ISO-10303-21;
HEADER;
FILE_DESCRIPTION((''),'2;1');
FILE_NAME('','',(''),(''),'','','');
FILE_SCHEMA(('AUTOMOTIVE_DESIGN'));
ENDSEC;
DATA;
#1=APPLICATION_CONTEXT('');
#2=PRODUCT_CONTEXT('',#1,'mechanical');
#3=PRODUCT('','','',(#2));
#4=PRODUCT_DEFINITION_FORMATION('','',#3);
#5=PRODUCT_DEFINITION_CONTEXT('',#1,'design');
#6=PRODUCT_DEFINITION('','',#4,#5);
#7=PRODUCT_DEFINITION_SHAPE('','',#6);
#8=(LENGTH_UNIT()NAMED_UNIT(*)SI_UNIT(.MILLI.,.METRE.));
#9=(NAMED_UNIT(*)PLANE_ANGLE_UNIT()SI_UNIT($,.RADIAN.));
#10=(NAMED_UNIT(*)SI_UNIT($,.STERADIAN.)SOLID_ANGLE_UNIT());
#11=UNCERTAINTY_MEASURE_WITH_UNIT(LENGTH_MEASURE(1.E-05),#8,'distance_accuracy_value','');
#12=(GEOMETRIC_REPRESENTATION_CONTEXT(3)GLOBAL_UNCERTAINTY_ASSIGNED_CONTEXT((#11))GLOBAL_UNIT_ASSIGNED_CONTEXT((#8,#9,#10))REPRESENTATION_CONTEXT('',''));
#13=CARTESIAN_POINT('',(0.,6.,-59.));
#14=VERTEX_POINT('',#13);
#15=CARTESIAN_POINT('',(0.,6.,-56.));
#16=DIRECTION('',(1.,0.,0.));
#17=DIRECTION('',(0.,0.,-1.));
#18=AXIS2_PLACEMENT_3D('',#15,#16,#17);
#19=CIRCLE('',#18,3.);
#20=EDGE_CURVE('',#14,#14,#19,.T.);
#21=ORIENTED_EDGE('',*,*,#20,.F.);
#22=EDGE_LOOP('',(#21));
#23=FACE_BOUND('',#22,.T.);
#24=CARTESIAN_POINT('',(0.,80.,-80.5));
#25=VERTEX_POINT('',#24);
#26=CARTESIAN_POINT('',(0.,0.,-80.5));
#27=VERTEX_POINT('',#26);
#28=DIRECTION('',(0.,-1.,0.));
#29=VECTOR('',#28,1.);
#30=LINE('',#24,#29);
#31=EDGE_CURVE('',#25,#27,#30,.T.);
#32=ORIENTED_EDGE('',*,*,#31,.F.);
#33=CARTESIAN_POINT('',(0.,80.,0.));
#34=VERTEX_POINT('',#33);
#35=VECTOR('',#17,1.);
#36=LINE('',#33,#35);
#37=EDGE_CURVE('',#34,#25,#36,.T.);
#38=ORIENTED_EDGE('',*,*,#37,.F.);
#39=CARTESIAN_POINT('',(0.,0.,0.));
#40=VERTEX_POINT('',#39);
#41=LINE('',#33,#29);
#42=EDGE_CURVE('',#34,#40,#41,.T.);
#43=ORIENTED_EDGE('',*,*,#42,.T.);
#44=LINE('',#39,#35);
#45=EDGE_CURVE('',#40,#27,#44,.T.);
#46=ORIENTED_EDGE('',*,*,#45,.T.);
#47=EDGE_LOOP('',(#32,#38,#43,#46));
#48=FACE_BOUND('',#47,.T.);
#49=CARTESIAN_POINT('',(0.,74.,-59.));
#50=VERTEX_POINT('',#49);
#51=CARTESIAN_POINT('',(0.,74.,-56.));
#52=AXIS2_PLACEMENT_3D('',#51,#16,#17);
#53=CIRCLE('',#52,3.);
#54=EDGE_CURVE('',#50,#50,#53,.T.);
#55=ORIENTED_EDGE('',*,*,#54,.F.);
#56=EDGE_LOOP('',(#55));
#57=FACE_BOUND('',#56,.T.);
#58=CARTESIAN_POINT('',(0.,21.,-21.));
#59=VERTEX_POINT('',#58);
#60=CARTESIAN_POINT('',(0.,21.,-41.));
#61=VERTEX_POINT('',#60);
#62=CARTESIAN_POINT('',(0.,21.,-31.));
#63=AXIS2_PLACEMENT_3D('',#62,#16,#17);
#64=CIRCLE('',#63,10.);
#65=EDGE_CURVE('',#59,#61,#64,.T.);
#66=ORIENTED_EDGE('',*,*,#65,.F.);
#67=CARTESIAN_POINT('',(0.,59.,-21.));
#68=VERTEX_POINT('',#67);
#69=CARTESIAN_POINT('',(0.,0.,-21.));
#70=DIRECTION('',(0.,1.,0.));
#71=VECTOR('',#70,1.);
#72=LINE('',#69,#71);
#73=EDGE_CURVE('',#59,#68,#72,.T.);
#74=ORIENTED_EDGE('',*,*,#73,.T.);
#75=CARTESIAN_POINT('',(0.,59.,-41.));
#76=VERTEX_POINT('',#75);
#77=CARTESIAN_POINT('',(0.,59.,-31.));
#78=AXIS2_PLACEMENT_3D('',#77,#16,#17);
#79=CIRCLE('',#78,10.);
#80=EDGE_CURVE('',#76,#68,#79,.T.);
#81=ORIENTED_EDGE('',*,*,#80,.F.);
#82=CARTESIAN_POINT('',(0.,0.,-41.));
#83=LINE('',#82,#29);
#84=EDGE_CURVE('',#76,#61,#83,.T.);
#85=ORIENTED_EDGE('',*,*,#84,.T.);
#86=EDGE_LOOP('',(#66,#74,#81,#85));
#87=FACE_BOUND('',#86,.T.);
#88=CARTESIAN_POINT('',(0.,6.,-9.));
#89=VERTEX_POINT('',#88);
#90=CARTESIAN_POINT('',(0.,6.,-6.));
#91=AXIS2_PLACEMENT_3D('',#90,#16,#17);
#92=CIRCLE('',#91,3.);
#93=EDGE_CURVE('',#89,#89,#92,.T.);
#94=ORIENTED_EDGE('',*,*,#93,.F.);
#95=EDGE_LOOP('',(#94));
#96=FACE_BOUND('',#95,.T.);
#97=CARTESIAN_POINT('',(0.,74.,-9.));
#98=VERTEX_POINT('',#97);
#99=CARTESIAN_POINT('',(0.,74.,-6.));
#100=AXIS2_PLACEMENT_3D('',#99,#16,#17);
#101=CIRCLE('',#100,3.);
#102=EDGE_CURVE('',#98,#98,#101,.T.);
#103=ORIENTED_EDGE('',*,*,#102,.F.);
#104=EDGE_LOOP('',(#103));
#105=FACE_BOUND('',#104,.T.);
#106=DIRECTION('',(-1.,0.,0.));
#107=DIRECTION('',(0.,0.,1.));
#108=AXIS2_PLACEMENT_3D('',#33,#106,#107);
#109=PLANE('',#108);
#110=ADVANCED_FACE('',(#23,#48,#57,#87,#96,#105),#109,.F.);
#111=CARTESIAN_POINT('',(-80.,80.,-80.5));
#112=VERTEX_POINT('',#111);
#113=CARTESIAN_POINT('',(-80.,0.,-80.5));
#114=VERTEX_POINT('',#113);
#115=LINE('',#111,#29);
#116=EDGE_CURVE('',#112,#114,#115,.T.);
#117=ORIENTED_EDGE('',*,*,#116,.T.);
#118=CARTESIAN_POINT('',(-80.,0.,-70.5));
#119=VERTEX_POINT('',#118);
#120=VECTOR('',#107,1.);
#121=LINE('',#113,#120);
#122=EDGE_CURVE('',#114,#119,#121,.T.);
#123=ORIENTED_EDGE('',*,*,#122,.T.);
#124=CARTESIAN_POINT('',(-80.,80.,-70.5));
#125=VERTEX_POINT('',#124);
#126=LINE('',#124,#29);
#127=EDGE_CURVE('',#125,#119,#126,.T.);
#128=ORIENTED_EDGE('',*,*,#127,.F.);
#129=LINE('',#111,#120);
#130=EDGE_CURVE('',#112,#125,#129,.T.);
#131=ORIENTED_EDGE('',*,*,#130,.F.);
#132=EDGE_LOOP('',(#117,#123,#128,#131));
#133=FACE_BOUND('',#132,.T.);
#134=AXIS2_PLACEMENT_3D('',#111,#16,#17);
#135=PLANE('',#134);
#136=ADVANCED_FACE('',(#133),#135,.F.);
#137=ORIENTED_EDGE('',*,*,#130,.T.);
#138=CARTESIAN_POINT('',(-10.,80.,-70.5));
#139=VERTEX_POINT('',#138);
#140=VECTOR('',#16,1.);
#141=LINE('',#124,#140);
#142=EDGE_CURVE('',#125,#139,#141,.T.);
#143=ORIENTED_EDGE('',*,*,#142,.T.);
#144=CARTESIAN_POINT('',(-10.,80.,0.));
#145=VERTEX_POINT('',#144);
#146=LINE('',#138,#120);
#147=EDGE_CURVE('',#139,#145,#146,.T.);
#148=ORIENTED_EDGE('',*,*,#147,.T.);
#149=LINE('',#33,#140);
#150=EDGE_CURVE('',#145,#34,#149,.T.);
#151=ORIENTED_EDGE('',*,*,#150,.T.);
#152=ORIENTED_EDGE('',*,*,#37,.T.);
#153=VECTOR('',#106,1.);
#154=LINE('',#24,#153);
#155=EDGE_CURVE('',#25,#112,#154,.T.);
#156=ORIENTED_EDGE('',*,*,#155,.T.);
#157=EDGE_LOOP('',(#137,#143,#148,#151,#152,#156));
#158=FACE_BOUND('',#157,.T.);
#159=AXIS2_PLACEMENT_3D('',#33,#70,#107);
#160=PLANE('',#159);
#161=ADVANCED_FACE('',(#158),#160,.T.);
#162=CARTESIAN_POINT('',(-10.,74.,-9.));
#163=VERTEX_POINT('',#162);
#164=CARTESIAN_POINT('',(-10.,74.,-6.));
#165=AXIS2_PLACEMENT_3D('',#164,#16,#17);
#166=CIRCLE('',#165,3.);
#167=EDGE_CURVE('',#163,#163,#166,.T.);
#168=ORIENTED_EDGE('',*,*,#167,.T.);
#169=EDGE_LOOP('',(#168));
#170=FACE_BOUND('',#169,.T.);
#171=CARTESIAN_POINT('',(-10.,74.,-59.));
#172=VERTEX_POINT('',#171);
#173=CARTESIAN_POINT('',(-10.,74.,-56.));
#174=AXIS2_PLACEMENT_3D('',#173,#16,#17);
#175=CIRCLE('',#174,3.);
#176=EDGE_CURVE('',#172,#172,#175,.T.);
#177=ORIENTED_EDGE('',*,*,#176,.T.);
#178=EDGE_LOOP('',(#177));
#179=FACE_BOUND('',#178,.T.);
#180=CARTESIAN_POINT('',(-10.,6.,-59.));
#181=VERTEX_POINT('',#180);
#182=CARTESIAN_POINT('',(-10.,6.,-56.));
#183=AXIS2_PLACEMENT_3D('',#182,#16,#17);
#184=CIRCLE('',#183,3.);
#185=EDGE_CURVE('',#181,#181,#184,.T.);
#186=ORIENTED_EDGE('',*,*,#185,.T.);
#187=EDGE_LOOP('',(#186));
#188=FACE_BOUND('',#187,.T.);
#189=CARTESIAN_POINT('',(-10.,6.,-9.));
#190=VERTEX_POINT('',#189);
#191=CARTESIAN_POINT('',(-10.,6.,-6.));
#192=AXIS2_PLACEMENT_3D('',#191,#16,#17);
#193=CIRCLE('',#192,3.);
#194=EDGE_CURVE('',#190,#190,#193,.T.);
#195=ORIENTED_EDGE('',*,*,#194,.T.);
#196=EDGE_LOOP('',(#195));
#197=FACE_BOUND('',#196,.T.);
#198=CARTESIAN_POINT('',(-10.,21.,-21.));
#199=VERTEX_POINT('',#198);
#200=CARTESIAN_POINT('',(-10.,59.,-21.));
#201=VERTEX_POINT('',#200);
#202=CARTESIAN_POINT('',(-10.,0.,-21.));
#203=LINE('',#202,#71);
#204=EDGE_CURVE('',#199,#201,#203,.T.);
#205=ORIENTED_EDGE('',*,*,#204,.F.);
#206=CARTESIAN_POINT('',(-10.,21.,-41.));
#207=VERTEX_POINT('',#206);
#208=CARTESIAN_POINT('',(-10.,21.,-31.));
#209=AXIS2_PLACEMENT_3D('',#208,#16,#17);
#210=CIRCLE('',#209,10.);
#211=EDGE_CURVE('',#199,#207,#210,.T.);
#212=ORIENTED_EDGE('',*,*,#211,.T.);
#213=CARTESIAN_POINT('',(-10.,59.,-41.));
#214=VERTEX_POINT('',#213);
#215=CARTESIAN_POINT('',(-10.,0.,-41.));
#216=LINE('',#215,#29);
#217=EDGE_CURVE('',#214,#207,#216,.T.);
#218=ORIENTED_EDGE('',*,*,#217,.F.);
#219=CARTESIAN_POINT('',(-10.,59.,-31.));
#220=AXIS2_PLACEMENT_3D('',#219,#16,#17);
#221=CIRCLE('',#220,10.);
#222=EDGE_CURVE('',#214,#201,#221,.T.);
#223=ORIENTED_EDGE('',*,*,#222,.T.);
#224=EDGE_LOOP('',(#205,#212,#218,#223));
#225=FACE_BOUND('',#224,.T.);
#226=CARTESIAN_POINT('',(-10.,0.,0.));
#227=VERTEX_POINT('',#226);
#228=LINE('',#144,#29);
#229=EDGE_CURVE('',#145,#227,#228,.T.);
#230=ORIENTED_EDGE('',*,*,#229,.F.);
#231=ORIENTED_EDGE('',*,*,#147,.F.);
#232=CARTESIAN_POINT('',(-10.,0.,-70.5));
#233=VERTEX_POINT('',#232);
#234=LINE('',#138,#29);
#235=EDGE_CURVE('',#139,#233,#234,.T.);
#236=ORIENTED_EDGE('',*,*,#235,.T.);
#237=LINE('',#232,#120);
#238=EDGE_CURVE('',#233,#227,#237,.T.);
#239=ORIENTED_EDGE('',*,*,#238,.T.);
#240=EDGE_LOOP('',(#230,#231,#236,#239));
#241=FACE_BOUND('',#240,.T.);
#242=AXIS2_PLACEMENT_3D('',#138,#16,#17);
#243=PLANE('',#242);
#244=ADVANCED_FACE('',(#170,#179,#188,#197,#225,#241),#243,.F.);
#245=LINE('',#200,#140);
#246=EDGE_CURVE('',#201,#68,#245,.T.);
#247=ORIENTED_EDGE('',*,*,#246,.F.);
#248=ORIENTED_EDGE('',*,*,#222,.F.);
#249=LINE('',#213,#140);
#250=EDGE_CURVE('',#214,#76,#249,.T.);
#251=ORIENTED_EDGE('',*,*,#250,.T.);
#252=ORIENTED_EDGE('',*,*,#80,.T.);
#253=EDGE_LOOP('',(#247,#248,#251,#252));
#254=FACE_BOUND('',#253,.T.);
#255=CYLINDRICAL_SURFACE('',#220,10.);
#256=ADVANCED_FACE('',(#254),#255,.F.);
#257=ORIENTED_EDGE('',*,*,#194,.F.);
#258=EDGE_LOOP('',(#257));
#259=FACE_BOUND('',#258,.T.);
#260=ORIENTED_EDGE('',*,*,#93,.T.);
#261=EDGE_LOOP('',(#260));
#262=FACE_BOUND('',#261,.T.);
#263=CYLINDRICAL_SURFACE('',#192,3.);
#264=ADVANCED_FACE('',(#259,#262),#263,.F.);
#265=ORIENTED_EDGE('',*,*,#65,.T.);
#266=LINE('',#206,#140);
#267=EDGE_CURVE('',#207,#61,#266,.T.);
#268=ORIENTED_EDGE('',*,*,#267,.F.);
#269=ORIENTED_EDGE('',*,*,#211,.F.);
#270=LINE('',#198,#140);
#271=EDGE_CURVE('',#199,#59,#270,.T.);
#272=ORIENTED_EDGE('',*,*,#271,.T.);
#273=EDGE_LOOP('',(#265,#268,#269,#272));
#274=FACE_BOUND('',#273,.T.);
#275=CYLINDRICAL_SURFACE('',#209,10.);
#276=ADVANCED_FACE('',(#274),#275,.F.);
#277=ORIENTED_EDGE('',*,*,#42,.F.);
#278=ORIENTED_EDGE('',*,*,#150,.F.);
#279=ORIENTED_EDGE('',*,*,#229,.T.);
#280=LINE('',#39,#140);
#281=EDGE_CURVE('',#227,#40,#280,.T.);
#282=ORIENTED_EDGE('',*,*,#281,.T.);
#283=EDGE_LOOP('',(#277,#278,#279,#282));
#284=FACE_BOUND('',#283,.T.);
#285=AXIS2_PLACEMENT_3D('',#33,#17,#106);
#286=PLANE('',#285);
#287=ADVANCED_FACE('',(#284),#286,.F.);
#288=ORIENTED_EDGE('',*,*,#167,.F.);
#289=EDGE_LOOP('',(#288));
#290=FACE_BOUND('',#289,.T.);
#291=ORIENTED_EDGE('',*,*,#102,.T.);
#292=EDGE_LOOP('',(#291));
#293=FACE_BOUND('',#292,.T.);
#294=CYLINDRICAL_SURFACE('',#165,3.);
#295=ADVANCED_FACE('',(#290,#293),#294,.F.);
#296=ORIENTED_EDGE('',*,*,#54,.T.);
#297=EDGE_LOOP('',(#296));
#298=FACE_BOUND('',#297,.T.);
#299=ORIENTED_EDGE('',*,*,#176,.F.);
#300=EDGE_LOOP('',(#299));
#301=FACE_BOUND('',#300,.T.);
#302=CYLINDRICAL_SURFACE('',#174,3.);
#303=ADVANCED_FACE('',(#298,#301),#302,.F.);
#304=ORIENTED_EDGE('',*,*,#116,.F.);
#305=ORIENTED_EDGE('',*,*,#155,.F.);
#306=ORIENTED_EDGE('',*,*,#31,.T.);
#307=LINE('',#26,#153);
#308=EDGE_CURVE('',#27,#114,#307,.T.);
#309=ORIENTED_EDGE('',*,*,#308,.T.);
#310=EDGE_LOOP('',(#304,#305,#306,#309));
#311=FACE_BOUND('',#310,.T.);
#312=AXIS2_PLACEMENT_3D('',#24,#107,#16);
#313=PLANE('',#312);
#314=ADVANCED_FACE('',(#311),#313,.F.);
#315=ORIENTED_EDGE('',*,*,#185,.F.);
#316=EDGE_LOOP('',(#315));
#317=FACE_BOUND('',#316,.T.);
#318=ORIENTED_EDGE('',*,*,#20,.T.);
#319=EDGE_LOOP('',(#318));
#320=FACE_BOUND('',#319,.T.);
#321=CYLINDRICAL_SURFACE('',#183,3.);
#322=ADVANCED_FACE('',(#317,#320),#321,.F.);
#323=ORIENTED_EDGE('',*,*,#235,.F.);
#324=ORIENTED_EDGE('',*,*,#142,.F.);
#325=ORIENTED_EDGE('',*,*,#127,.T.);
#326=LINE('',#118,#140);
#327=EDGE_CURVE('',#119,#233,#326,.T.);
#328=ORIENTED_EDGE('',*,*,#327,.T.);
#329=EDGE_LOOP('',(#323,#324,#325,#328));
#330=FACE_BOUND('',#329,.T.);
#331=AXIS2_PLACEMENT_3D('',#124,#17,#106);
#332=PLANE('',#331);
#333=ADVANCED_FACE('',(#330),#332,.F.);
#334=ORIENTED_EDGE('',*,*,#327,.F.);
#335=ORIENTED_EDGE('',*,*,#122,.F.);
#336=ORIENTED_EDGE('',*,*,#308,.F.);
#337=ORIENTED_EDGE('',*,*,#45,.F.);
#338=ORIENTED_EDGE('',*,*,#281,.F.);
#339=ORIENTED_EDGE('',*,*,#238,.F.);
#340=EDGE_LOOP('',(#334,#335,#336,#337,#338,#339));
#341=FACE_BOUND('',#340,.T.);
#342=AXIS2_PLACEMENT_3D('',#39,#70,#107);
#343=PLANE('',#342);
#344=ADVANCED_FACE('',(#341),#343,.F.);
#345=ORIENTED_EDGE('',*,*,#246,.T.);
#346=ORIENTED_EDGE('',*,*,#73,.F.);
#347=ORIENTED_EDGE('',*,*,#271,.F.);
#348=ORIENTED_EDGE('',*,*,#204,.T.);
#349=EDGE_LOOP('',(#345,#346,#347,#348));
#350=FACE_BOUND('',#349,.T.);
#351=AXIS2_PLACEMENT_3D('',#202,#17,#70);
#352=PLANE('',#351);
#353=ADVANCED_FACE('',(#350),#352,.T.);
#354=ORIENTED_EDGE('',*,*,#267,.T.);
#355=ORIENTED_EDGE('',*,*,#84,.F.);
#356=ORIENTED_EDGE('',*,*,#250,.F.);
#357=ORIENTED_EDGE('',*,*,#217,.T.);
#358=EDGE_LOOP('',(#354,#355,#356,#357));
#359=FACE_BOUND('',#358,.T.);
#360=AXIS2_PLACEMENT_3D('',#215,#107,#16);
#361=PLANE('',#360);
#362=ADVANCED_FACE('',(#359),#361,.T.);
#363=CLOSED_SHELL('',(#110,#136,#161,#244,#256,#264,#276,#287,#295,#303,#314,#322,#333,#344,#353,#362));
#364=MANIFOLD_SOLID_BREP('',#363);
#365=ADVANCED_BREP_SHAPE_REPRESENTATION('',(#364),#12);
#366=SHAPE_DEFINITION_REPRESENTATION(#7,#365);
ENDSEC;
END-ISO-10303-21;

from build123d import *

# Parameters (mm, degrees)
BOSS_EXTRUDE1_DEPTH = 80
SKETCH2_R           = 3
CUT_EXTRUDE1_DEPTH  = 10
CUT_EXTRUDE2_DEPTH  = 10


with BuildPart() as part:
    # Sketch1 → Boss-Extrude1 (new body)
    with BuildSketch(Plane(origin=(0, 0, 0), x_dir=(1, 0, 0), z_dir=(0, 1, 0))):
        Polygon((0, 0), (0, 80.5), (-80, 80.5), (-80, 70.5), (-10, 70.5), (-10, 0), align=None)
    extrude(amount=BOSS_EXTRUDE1_DEPTH)

    # Sketch2 → Cut-Extrude1 (cut)
    with BuildSketch(Plane(origin=(0, 0, 0), x_dir=(0, 0, -1), z_dir=(1, 0, 0))):
        with Locations((6, 6)):
            Circle(SKETCH2_R)
        with Locations((6, 74)):
            Circle(SKETCH2_R)
        with Locations((56, 74)):
            Circle(SKETCH2_R)
        with Locations((56, 6)):
            Circle(SKETCH2_R)
    extrude(amount=-CUT_EXTRUDE1_DEPTH, mode=Mode.SUBTRACT)

    # Sketch3 → Cut-Extrude2 (cut)
    with BuildSketch(Plane(origin=(0, 0, 0), x_dir=(0, 0, -1), z_dir=(1, 0, 0))):
        with BuildLine():
            Line((21, 59), (21, 21))
            ThreePointArc((21, 21), (23.928932188, 13.928932188), (31, 11))
            ThreePointArc((31, 11), (38.071067812, 13.928932188), (41, 21))
            Line((41, 21), (41, 59))
            ThreePointArc((41, 59), (38.071067812, 66.071067812), (31, 69))
            ThreePointArc((31, 69), (23.928932188, 66.071067812), (21, 59))
        make_face()
    extrude(amount=-CUT_EXTRUDE2_DEPTH, mode=Mode.SUBTRACT)


solid = part.part
